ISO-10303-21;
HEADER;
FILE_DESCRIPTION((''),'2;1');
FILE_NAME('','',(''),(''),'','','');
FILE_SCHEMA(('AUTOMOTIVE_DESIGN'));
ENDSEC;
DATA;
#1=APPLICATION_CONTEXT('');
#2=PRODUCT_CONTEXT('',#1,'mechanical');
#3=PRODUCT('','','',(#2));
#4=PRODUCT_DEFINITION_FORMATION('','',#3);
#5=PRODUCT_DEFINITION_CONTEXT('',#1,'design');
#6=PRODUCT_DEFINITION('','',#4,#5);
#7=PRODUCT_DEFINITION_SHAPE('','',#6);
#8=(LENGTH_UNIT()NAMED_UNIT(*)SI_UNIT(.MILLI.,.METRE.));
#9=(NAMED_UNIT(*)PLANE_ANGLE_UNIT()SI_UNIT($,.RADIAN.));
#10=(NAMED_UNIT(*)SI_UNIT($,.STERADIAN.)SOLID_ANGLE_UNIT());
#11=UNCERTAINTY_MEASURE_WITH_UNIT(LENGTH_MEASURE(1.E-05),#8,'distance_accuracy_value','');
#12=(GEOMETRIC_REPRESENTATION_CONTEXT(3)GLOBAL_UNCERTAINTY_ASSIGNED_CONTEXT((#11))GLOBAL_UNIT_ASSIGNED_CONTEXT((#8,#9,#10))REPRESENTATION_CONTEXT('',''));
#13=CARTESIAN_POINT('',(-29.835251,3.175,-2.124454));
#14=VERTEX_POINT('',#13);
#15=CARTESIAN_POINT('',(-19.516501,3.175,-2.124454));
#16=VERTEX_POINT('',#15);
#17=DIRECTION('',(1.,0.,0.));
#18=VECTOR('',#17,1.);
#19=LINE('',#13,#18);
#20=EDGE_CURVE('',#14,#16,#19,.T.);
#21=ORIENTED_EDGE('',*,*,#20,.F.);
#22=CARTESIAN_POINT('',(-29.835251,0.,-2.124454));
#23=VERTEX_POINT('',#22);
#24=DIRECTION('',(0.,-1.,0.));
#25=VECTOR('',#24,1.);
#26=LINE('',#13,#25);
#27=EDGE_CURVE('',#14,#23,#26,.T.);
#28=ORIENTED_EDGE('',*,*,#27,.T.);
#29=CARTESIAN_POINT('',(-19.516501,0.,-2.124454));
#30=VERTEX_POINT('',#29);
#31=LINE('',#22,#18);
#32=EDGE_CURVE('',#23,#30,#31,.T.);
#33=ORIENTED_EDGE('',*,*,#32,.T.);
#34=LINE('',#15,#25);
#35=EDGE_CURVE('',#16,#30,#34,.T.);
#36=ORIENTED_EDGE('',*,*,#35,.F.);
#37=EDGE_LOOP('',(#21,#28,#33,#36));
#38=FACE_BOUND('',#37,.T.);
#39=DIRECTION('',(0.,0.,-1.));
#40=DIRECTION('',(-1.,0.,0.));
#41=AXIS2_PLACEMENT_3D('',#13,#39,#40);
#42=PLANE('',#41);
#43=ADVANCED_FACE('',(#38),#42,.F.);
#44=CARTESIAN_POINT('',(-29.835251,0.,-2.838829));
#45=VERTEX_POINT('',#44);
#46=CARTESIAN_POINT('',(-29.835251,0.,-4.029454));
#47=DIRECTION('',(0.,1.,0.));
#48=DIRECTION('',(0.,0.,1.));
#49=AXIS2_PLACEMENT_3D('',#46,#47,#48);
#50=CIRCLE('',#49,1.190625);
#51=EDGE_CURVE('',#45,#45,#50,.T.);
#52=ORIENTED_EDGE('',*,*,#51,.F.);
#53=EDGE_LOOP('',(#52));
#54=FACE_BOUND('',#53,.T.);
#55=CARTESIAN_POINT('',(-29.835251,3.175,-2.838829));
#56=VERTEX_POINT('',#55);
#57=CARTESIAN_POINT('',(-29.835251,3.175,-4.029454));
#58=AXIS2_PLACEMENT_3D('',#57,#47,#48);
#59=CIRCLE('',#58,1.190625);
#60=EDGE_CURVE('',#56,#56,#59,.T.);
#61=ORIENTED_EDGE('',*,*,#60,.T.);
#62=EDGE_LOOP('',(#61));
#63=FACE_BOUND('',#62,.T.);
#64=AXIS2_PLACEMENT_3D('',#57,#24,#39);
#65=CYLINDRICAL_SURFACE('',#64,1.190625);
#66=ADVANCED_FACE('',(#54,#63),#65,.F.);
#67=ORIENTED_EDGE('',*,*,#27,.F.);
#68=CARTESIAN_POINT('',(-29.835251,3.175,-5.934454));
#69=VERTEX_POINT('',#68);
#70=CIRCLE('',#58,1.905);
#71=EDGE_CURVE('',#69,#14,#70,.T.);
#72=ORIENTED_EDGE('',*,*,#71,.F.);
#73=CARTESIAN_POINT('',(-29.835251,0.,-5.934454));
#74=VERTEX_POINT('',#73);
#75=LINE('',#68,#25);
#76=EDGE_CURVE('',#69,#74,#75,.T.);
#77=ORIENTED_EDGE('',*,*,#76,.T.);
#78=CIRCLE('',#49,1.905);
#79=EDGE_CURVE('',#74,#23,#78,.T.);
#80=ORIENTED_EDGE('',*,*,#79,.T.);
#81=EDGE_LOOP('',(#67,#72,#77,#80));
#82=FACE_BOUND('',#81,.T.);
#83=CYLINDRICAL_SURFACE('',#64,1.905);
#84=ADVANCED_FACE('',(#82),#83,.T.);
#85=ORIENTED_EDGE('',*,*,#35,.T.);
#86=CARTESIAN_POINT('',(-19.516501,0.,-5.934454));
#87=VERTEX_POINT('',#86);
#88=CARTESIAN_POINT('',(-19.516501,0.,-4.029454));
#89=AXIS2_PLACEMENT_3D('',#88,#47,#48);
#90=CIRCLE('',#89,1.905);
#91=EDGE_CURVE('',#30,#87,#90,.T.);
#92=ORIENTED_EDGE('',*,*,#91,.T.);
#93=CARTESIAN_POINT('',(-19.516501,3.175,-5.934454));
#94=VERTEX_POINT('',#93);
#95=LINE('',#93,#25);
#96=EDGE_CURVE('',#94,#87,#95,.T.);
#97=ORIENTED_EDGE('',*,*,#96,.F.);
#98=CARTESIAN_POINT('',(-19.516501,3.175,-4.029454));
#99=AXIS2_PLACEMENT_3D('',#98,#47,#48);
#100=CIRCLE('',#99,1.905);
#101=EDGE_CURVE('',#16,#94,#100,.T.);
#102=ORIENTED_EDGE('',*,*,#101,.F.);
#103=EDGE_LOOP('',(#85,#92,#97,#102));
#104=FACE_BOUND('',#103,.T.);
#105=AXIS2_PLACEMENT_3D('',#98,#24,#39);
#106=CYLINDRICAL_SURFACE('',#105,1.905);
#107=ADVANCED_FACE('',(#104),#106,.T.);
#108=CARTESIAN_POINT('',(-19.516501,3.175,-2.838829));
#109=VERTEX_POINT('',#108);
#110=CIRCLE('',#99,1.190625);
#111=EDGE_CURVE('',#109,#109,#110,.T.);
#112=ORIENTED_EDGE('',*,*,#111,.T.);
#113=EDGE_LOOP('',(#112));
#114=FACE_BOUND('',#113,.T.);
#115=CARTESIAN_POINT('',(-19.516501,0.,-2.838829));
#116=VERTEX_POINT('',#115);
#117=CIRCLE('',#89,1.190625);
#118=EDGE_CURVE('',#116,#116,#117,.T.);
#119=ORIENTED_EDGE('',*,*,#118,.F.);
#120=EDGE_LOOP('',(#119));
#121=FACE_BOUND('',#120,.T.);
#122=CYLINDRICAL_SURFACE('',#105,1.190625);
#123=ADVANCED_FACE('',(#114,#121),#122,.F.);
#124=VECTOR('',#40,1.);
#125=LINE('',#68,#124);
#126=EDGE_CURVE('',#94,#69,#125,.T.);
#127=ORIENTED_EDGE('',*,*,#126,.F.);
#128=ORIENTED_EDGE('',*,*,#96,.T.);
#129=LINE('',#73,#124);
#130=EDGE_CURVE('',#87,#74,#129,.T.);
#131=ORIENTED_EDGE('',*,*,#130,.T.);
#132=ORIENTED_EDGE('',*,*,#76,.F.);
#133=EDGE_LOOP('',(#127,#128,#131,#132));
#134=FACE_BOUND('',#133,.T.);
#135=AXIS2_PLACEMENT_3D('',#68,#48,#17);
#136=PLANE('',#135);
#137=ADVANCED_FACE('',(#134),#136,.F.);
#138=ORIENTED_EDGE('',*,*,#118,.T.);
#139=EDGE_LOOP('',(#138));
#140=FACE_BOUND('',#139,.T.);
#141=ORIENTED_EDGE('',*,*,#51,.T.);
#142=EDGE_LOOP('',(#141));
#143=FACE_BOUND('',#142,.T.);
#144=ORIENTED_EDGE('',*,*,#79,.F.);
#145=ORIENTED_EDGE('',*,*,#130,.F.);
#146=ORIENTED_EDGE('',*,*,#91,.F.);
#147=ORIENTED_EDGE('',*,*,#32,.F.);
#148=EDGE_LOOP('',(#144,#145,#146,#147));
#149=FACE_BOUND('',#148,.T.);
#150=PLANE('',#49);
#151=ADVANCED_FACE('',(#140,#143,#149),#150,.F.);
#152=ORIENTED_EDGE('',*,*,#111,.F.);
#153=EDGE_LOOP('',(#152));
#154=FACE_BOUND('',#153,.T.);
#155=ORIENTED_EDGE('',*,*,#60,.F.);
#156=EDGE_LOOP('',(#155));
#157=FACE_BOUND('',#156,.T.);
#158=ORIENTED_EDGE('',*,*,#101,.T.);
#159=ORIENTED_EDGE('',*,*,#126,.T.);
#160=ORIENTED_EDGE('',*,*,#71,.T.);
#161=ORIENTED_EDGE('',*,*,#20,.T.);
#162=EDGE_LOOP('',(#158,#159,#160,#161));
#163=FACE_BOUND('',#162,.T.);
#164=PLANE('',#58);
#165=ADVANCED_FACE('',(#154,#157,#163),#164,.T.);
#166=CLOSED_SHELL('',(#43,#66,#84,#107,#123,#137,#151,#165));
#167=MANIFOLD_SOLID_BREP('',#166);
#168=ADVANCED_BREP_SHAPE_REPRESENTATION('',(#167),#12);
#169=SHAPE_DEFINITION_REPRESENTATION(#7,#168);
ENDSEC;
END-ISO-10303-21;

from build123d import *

# Parameters (mm, degrees)
SKETCH1_R           = 1.190625
BOSS_EXTRUDE1_DEPTH = 3.175


with BuildPart() as part:
    # Sketch1 → Boss-Extrude1 (new body)
    with BuildSketch(Plane(origin=(0, 0, 0), x_dir=(1, 0, 0), z_dir=(0, 1, 0))):
        with BuildLine():
            Line((-29.835251472, 5.934453632), (-19.516501472, 5.934453632))
            ThreePointArc((-19.516501472, 5.934453632), (-17.611501472, 4.029453632), (-19.516501472, 2.124453632))
            Line((-19.516501472, 2.124453632), (-29.835251472, 2.124453632))
            ThreePointArc((-29.835251472, 2.124453632), (-31.740251472, 4.029453632), (-29.835251472, 5.934453632))
        make_face()
        with Locations(Location((-29.835251472, 4.029453632, 0), (0, 0, 270))):
            Circle(SKETCH1_R, mode=Mode.SUBTRACT)
        with Locations(Location((-19.516501472, 4.029453632, 0), (0, 0, 270))):
            Circle(SKETCH1_R, mode=Mode.SUBTRACT)
    extrude(amount=BOSS_EXTRUDE1_DEPTH)


solid = part.part
